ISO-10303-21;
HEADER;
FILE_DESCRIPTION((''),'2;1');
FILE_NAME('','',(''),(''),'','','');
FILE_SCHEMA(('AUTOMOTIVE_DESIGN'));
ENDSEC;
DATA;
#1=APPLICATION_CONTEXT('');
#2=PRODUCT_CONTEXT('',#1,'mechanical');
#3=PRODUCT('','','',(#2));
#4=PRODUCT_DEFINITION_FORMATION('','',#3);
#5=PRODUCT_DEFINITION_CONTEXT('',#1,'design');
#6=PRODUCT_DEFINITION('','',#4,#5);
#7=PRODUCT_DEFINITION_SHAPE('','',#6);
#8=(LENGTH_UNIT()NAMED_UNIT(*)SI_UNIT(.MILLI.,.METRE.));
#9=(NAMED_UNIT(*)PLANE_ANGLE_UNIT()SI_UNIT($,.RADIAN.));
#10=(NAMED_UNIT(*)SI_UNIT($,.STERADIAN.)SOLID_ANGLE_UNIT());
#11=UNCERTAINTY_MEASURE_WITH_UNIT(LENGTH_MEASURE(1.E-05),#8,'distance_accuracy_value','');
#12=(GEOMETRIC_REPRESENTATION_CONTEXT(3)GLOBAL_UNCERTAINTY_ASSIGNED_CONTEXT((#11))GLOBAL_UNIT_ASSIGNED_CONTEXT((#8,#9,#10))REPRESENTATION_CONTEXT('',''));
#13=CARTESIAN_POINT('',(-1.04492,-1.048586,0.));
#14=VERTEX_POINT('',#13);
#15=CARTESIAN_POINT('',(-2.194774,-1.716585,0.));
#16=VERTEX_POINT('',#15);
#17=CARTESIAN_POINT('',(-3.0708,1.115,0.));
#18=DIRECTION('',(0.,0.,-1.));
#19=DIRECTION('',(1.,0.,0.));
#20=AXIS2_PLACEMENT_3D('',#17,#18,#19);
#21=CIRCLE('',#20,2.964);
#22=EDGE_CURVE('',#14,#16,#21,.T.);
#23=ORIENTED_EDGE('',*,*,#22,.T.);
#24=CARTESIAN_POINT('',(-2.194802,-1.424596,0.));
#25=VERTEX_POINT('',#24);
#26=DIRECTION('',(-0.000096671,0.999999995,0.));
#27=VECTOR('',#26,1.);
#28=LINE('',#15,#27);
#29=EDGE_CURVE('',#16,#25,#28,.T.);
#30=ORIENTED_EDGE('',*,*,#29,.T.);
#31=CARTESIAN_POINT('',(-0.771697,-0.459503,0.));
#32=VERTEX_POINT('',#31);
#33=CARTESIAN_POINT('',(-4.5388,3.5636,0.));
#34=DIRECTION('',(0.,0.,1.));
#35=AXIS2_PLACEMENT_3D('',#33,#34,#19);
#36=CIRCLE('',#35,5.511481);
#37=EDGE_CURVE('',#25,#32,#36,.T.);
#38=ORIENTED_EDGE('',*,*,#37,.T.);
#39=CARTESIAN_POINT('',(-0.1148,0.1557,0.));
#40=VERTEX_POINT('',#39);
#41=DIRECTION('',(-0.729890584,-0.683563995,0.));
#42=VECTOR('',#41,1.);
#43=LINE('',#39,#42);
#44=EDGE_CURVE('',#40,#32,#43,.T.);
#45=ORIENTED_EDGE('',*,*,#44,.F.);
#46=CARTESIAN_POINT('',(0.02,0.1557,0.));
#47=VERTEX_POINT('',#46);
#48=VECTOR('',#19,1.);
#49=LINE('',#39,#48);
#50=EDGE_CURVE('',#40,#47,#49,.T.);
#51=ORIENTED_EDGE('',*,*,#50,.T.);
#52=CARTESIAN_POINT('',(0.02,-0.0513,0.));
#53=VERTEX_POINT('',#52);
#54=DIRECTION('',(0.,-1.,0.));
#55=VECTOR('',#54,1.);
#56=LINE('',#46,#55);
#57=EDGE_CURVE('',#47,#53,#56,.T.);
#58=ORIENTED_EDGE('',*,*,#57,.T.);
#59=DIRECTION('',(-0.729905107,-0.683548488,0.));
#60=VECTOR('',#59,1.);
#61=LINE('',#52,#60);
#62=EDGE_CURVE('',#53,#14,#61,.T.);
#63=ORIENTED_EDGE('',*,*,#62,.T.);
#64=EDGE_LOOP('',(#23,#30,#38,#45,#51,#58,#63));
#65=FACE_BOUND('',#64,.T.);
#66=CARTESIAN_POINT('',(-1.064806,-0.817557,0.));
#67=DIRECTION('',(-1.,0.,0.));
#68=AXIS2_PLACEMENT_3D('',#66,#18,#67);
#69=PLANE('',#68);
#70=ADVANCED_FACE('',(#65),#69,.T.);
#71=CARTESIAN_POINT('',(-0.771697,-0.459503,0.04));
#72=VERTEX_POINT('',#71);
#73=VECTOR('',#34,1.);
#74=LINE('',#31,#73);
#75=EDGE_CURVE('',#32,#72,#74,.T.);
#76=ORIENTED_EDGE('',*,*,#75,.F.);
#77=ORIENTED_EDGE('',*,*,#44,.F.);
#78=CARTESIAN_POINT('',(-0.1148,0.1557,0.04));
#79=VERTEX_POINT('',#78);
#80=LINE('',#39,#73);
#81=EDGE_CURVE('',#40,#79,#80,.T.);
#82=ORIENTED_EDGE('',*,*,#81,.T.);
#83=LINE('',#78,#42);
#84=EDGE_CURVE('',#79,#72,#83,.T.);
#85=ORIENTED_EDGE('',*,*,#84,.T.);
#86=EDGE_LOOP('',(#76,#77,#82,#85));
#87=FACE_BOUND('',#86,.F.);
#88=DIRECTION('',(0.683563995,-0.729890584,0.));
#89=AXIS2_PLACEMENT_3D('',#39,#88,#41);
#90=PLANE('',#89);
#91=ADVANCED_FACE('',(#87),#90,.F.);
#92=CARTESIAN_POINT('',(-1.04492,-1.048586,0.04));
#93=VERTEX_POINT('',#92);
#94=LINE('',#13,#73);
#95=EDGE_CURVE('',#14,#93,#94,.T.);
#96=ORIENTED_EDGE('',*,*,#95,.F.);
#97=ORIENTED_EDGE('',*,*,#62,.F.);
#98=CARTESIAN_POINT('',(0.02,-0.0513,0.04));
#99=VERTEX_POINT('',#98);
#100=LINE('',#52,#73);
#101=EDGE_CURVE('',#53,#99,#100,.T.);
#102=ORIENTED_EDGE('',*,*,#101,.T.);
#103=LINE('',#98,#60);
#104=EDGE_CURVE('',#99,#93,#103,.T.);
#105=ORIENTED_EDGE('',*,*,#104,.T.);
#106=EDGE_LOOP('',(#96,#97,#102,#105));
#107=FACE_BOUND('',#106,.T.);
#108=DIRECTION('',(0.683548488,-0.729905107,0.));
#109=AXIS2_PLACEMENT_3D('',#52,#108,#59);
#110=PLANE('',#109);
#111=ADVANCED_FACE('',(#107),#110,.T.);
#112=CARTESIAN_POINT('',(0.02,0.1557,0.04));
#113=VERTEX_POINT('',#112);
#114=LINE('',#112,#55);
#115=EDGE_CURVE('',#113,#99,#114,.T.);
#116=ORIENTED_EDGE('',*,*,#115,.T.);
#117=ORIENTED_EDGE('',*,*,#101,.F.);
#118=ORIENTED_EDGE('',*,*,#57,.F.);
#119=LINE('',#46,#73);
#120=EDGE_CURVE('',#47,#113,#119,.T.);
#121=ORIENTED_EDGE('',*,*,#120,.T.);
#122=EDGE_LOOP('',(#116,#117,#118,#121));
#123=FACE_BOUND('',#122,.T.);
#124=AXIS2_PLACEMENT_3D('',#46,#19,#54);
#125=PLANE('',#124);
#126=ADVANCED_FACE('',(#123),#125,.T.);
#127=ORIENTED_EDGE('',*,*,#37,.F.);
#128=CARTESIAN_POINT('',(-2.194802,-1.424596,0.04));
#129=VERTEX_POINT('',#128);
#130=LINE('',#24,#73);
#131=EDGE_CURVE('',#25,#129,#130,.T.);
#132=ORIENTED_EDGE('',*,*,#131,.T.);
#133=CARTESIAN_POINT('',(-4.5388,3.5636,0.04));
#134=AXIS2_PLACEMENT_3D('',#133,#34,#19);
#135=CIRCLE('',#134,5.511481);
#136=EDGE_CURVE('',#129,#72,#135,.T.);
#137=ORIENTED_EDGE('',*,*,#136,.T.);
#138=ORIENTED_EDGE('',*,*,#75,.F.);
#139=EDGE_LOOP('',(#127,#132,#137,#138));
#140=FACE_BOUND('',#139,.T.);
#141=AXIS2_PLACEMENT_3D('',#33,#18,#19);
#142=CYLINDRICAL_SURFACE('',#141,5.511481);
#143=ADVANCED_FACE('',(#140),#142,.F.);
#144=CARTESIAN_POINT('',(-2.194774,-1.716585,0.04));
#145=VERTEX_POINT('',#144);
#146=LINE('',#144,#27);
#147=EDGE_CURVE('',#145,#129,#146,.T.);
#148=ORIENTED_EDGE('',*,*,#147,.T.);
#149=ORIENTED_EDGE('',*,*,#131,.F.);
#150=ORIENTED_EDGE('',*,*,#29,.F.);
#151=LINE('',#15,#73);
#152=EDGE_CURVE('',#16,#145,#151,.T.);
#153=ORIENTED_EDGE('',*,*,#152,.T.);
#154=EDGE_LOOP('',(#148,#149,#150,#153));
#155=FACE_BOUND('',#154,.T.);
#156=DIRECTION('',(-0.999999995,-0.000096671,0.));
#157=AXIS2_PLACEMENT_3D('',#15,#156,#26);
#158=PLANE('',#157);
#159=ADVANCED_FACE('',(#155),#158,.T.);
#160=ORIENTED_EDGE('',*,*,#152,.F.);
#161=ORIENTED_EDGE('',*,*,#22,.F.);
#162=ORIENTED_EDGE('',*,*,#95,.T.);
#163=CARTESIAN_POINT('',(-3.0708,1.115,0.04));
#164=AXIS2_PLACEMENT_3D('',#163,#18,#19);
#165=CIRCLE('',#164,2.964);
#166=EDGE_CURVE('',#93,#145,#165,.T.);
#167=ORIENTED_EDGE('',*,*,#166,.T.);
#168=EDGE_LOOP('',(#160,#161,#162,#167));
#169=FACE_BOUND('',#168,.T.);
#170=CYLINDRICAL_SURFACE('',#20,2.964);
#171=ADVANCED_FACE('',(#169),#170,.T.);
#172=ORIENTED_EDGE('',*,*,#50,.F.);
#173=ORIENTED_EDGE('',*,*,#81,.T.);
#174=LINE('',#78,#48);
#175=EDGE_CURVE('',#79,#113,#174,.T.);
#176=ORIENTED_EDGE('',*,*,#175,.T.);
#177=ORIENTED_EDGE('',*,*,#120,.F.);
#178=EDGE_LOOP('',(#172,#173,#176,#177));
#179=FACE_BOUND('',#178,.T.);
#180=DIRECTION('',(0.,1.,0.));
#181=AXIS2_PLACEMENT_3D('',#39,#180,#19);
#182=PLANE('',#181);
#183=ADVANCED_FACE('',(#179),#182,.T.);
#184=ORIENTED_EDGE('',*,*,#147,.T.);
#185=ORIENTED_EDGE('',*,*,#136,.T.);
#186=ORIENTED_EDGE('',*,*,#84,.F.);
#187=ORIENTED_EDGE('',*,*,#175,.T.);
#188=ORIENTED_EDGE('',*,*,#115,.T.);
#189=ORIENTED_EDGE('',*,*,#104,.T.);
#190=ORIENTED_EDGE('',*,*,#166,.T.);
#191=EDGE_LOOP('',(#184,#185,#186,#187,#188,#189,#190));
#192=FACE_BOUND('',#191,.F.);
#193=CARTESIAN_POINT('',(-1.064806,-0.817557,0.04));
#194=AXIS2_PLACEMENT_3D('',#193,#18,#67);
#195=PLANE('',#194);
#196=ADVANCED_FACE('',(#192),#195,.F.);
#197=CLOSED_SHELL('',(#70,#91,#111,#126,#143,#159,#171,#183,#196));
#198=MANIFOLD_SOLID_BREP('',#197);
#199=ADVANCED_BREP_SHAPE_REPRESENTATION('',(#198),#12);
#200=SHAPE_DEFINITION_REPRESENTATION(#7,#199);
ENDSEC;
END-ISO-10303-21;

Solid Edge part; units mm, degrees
sketch "Sketch1" plane through (0, 0, 0) normal (0, 0, 1) x (1, 0, 0)
  line L0 (-0.1148, 0.1557) -> (0.02, 0.1557)
  line L1 (0.02, 0.1557) -> (0.02, -0.0513)
  line L2 (0.02, -0.0513) -> (-1.045, -1.0485)
  arc A0 (-1.045, -1.0485) -> (-2.1948, -1.7165) centre (-3.0708, 1.115) cw
  line L3 (-2.1948, -1.7165) -> (-2.1948, -1.4246)
  arc A1 (-2.1948, -1.4246) -> (-0.7717, -0.4595) centre (-4.5388, 3.5636) ccw
  line L4 (-0.1148, 0.1557) -> (-0.7717, -0.4595)
  dimension "D1" = 0.1557
  dimension "D2" = 0.02
  dimension "D3" = 0.03
extrude "Protrusion1" add sketch "Sketch1" along normal blind 0.04
